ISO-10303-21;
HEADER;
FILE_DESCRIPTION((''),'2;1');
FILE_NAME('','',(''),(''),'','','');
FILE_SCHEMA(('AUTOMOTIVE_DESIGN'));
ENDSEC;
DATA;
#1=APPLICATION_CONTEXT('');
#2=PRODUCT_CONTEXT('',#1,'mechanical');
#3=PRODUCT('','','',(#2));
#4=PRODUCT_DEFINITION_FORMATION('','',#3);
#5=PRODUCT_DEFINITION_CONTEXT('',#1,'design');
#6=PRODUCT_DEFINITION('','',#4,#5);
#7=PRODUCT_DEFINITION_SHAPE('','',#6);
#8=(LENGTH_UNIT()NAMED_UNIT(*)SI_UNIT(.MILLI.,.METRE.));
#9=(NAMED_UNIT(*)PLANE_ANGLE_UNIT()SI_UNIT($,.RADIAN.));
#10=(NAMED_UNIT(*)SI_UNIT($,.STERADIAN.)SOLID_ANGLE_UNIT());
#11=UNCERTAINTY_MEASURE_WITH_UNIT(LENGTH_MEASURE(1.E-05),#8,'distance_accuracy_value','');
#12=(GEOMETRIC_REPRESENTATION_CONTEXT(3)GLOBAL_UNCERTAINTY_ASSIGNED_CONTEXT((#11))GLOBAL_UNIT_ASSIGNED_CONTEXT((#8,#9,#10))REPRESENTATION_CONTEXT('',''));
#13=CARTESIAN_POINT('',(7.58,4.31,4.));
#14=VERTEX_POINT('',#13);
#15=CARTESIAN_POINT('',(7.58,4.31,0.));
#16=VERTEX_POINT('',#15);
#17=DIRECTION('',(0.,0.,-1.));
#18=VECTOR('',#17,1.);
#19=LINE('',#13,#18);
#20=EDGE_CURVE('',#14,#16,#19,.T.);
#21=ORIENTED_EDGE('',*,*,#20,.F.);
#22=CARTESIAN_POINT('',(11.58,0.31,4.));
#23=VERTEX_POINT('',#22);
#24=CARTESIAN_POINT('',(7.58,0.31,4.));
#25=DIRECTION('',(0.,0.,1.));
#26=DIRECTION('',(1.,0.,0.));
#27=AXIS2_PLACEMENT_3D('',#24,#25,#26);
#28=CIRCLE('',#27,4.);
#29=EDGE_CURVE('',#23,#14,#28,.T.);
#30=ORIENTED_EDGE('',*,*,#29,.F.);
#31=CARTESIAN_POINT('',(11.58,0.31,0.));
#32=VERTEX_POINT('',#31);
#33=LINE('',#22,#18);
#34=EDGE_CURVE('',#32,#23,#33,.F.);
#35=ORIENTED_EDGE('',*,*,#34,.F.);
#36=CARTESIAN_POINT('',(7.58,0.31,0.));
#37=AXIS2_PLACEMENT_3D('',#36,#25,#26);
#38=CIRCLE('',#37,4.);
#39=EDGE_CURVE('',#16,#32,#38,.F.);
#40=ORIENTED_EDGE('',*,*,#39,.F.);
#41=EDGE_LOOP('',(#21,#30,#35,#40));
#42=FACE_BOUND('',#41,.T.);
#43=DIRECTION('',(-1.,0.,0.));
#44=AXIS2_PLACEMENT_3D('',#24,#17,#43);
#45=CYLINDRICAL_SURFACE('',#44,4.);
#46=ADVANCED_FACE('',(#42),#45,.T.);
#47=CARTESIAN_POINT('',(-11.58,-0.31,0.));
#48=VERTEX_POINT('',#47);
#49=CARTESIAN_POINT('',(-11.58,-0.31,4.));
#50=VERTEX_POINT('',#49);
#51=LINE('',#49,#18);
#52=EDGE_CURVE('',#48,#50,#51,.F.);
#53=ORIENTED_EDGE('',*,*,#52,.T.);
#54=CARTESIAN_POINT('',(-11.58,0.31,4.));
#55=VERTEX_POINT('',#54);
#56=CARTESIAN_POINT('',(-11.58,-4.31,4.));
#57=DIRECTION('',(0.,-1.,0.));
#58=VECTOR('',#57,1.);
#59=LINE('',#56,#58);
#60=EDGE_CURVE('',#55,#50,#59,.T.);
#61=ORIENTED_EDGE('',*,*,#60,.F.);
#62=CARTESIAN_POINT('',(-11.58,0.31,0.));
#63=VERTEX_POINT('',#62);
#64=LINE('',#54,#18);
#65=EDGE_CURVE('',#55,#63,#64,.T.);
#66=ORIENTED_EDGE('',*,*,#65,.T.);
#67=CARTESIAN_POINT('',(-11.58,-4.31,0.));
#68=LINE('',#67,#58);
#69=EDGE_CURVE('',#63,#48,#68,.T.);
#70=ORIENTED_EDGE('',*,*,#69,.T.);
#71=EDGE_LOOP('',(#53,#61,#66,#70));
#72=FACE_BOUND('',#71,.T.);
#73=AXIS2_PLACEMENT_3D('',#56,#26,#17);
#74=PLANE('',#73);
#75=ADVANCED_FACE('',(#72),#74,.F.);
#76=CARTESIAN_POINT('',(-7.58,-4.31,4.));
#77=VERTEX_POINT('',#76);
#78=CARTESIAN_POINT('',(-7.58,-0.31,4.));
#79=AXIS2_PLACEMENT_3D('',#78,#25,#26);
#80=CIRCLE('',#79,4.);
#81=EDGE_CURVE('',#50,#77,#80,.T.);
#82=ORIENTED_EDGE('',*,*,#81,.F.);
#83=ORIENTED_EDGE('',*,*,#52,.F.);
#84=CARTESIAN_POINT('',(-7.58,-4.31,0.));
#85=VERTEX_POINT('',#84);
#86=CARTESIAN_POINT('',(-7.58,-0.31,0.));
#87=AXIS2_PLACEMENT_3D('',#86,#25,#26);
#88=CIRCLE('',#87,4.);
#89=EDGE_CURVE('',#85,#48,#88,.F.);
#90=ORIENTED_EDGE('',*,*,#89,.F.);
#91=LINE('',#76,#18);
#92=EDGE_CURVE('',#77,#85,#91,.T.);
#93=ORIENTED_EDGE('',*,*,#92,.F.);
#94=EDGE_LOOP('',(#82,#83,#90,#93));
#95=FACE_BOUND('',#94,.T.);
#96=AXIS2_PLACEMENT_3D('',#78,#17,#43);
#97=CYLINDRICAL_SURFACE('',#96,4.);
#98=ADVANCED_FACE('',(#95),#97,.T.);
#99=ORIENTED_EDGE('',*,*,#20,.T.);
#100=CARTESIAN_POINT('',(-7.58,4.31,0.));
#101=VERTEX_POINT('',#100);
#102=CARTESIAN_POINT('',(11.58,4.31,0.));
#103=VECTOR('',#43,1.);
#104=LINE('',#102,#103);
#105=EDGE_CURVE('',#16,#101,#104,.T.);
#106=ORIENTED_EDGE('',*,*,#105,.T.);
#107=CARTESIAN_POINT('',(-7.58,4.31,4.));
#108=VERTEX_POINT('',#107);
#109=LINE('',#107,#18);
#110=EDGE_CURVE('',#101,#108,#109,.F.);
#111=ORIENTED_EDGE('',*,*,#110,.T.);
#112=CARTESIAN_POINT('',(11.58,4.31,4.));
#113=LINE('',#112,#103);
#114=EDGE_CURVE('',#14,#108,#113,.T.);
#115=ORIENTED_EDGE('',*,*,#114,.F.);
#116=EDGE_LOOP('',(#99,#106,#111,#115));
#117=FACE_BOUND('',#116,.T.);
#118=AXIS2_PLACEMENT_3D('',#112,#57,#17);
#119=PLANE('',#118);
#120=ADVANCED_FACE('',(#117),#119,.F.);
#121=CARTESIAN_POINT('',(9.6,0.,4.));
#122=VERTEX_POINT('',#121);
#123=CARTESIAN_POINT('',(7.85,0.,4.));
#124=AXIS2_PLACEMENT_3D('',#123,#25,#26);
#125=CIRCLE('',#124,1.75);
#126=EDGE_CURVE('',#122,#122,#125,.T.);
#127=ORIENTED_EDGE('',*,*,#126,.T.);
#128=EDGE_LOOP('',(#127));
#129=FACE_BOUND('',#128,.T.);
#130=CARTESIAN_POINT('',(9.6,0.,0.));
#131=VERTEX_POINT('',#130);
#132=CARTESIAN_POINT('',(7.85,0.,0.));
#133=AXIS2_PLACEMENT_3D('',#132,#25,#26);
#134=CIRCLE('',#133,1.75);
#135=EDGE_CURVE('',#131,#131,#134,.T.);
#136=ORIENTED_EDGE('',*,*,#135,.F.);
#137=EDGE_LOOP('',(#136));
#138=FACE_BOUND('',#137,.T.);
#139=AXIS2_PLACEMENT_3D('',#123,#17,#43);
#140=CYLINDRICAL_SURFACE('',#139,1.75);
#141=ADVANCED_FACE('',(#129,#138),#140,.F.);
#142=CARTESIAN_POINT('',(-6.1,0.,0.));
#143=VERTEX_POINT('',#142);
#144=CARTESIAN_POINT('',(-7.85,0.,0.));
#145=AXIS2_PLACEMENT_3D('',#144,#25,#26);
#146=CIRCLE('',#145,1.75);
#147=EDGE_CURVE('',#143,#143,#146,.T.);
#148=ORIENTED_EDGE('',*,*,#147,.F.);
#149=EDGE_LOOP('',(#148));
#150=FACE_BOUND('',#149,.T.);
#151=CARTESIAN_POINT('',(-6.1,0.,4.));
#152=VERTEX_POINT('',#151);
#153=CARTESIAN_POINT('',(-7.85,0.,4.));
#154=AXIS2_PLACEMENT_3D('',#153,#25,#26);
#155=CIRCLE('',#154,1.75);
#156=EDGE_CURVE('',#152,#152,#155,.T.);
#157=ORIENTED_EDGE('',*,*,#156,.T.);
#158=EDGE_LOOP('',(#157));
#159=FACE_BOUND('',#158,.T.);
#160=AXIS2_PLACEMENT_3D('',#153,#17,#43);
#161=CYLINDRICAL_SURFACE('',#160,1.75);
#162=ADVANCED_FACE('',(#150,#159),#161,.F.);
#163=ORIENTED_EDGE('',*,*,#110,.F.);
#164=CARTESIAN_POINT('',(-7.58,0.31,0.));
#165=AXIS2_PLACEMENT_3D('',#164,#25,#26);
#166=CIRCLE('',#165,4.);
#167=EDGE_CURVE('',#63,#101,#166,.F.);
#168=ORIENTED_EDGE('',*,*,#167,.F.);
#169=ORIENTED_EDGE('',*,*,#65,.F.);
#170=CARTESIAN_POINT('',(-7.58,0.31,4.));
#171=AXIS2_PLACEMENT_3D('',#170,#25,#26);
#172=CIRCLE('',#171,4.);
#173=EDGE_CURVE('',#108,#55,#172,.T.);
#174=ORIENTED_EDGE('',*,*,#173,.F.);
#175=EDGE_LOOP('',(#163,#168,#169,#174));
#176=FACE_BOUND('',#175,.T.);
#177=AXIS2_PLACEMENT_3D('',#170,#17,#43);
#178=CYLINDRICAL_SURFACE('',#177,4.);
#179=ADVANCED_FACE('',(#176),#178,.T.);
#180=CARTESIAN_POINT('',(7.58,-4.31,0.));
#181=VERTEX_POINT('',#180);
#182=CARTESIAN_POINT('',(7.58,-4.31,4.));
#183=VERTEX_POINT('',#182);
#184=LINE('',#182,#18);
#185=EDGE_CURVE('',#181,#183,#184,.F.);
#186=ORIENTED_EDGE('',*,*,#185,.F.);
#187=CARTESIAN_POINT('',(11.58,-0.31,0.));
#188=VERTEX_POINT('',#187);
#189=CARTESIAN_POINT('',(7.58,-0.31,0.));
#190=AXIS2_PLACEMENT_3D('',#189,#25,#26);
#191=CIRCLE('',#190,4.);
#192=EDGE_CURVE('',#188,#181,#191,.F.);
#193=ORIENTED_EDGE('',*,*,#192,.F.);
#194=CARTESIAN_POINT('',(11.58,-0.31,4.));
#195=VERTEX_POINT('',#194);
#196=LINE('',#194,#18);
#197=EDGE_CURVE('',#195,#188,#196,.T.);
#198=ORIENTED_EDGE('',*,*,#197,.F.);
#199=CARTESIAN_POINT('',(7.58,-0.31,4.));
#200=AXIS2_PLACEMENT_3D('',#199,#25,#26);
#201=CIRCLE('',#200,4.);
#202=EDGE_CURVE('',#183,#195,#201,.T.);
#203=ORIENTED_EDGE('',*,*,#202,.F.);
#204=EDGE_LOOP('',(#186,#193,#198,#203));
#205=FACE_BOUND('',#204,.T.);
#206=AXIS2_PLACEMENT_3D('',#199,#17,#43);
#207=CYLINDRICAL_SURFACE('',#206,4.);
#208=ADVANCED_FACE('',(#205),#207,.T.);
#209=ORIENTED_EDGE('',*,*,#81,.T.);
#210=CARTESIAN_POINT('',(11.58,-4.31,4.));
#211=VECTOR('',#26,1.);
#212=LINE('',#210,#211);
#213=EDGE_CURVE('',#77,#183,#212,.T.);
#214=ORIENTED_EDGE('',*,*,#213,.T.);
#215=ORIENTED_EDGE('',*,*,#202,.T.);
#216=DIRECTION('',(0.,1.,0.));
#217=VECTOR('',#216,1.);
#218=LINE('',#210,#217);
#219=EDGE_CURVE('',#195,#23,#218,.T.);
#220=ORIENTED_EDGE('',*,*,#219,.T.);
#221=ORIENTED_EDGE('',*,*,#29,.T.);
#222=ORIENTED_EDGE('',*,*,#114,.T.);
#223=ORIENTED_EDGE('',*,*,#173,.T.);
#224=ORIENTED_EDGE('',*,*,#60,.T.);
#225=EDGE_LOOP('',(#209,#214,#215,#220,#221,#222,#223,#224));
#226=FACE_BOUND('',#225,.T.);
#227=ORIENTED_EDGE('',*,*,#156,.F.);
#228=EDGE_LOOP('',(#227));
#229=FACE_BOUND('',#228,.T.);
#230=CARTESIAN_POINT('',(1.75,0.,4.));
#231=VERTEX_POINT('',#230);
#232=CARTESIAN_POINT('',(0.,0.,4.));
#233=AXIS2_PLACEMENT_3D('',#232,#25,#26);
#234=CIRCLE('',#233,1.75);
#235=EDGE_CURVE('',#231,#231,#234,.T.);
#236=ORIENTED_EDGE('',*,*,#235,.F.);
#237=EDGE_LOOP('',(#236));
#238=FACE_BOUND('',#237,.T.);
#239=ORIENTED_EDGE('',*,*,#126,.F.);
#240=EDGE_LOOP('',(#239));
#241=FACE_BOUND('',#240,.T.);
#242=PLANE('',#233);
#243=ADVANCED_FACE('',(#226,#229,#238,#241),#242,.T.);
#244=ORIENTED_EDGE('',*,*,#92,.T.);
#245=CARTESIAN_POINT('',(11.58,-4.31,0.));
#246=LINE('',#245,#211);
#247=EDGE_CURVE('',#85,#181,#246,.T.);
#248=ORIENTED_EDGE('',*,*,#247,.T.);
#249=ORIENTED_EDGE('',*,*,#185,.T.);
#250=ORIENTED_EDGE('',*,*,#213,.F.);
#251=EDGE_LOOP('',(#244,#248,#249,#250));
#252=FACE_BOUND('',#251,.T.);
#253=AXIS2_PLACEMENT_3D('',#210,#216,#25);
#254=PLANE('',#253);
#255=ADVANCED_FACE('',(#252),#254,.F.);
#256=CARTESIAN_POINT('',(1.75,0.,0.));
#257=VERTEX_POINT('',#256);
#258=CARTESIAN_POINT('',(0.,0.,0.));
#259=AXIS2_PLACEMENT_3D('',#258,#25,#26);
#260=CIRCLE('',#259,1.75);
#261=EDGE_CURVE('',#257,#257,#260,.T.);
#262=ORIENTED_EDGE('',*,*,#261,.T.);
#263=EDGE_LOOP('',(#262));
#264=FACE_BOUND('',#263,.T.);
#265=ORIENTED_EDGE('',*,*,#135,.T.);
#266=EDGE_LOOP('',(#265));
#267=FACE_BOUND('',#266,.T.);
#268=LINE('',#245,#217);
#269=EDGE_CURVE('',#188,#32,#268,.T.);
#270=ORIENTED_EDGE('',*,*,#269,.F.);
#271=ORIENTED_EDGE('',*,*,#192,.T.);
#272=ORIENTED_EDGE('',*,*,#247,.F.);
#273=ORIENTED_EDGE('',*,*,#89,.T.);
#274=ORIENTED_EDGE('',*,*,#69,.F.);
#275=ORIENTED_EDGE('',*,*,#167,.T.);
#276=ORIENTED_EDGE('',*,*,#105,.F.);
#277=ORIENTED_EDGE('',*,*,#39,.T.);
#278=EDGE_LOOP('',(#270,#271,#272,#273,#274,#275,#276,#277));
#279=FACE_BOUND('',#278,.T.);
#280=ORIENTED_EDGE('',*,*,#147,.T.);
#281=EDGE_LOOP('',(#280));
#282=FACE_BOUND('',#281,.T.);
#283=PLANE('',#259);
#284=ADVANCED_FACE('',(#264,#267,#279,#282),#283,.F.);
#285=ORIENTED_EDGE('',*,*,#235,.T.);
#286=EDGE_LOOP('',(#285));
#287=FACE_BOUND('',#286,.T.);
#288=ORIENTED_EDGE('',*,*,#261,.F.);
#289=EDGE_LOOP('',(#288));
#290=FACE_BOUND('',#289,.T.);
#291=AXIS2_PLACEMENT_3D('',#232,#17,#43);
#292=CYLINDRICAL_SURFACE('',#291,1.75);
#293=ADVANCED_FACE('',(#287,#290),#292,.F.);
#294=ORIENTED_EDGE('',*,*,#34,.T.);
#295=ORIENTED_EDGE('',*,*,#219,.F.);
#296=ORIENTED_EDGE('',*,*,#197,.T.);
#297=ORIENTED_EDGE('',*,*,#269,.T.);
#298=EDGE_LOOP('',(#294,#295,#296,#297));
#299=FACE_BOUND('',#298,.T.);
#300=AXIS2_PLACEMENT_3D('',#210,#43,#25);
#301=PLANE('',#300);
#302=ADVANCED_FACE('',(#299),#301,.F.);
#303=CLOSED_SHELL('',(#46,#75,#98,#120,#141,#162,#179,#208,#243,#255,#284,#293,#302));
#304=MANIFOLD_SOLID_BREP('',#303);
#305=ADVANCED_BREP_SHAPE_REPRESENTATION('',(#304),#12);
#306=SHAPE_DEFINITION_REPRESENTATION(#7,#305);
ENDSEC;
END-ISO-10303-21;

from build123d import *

# Parameters (mm, degrees)
SKETCH1_W           = 23.16
SKETCH1_H           = 8.62
SKETCH1_R           = 1.75
BOSS_EXTRUDE1_DEPTH = 4
FILLET1_R           = 4


with BuildPart() as part:
    # Sketch1 → Boss-Extrude1 (new body)
    with BuildSketch(Plane.XY):
        Rectangle(SKETCH1_W, SKETCH1_H)
        with Locations((-7.85, 0)):
            Circle(SKETCH1_R, mode=Mode.SUBTRACT)
        with Locations((7.85, 0)):
            Circle(SKETCH1_R, mode=Mode.SUBTRACT)
        Circle(SKETCH1_R, mode=Mode.SUBTRACT)
    extrude(amount=BOSS_EXTRUDE1_DEPTH)

    # Fillet1
    fillet1_edges = [part.edges().sort_by_distance(p)[0] for p in [
        (11.58, -4.31, 2),
        (-11.58, -4.31, 2),
        (-11.58, 4.31, 2),
        (11.58, 4.31, 2),
    ]]
    fillet(fillet1_edges, radius=FILLET1_R)


solid = part.part
